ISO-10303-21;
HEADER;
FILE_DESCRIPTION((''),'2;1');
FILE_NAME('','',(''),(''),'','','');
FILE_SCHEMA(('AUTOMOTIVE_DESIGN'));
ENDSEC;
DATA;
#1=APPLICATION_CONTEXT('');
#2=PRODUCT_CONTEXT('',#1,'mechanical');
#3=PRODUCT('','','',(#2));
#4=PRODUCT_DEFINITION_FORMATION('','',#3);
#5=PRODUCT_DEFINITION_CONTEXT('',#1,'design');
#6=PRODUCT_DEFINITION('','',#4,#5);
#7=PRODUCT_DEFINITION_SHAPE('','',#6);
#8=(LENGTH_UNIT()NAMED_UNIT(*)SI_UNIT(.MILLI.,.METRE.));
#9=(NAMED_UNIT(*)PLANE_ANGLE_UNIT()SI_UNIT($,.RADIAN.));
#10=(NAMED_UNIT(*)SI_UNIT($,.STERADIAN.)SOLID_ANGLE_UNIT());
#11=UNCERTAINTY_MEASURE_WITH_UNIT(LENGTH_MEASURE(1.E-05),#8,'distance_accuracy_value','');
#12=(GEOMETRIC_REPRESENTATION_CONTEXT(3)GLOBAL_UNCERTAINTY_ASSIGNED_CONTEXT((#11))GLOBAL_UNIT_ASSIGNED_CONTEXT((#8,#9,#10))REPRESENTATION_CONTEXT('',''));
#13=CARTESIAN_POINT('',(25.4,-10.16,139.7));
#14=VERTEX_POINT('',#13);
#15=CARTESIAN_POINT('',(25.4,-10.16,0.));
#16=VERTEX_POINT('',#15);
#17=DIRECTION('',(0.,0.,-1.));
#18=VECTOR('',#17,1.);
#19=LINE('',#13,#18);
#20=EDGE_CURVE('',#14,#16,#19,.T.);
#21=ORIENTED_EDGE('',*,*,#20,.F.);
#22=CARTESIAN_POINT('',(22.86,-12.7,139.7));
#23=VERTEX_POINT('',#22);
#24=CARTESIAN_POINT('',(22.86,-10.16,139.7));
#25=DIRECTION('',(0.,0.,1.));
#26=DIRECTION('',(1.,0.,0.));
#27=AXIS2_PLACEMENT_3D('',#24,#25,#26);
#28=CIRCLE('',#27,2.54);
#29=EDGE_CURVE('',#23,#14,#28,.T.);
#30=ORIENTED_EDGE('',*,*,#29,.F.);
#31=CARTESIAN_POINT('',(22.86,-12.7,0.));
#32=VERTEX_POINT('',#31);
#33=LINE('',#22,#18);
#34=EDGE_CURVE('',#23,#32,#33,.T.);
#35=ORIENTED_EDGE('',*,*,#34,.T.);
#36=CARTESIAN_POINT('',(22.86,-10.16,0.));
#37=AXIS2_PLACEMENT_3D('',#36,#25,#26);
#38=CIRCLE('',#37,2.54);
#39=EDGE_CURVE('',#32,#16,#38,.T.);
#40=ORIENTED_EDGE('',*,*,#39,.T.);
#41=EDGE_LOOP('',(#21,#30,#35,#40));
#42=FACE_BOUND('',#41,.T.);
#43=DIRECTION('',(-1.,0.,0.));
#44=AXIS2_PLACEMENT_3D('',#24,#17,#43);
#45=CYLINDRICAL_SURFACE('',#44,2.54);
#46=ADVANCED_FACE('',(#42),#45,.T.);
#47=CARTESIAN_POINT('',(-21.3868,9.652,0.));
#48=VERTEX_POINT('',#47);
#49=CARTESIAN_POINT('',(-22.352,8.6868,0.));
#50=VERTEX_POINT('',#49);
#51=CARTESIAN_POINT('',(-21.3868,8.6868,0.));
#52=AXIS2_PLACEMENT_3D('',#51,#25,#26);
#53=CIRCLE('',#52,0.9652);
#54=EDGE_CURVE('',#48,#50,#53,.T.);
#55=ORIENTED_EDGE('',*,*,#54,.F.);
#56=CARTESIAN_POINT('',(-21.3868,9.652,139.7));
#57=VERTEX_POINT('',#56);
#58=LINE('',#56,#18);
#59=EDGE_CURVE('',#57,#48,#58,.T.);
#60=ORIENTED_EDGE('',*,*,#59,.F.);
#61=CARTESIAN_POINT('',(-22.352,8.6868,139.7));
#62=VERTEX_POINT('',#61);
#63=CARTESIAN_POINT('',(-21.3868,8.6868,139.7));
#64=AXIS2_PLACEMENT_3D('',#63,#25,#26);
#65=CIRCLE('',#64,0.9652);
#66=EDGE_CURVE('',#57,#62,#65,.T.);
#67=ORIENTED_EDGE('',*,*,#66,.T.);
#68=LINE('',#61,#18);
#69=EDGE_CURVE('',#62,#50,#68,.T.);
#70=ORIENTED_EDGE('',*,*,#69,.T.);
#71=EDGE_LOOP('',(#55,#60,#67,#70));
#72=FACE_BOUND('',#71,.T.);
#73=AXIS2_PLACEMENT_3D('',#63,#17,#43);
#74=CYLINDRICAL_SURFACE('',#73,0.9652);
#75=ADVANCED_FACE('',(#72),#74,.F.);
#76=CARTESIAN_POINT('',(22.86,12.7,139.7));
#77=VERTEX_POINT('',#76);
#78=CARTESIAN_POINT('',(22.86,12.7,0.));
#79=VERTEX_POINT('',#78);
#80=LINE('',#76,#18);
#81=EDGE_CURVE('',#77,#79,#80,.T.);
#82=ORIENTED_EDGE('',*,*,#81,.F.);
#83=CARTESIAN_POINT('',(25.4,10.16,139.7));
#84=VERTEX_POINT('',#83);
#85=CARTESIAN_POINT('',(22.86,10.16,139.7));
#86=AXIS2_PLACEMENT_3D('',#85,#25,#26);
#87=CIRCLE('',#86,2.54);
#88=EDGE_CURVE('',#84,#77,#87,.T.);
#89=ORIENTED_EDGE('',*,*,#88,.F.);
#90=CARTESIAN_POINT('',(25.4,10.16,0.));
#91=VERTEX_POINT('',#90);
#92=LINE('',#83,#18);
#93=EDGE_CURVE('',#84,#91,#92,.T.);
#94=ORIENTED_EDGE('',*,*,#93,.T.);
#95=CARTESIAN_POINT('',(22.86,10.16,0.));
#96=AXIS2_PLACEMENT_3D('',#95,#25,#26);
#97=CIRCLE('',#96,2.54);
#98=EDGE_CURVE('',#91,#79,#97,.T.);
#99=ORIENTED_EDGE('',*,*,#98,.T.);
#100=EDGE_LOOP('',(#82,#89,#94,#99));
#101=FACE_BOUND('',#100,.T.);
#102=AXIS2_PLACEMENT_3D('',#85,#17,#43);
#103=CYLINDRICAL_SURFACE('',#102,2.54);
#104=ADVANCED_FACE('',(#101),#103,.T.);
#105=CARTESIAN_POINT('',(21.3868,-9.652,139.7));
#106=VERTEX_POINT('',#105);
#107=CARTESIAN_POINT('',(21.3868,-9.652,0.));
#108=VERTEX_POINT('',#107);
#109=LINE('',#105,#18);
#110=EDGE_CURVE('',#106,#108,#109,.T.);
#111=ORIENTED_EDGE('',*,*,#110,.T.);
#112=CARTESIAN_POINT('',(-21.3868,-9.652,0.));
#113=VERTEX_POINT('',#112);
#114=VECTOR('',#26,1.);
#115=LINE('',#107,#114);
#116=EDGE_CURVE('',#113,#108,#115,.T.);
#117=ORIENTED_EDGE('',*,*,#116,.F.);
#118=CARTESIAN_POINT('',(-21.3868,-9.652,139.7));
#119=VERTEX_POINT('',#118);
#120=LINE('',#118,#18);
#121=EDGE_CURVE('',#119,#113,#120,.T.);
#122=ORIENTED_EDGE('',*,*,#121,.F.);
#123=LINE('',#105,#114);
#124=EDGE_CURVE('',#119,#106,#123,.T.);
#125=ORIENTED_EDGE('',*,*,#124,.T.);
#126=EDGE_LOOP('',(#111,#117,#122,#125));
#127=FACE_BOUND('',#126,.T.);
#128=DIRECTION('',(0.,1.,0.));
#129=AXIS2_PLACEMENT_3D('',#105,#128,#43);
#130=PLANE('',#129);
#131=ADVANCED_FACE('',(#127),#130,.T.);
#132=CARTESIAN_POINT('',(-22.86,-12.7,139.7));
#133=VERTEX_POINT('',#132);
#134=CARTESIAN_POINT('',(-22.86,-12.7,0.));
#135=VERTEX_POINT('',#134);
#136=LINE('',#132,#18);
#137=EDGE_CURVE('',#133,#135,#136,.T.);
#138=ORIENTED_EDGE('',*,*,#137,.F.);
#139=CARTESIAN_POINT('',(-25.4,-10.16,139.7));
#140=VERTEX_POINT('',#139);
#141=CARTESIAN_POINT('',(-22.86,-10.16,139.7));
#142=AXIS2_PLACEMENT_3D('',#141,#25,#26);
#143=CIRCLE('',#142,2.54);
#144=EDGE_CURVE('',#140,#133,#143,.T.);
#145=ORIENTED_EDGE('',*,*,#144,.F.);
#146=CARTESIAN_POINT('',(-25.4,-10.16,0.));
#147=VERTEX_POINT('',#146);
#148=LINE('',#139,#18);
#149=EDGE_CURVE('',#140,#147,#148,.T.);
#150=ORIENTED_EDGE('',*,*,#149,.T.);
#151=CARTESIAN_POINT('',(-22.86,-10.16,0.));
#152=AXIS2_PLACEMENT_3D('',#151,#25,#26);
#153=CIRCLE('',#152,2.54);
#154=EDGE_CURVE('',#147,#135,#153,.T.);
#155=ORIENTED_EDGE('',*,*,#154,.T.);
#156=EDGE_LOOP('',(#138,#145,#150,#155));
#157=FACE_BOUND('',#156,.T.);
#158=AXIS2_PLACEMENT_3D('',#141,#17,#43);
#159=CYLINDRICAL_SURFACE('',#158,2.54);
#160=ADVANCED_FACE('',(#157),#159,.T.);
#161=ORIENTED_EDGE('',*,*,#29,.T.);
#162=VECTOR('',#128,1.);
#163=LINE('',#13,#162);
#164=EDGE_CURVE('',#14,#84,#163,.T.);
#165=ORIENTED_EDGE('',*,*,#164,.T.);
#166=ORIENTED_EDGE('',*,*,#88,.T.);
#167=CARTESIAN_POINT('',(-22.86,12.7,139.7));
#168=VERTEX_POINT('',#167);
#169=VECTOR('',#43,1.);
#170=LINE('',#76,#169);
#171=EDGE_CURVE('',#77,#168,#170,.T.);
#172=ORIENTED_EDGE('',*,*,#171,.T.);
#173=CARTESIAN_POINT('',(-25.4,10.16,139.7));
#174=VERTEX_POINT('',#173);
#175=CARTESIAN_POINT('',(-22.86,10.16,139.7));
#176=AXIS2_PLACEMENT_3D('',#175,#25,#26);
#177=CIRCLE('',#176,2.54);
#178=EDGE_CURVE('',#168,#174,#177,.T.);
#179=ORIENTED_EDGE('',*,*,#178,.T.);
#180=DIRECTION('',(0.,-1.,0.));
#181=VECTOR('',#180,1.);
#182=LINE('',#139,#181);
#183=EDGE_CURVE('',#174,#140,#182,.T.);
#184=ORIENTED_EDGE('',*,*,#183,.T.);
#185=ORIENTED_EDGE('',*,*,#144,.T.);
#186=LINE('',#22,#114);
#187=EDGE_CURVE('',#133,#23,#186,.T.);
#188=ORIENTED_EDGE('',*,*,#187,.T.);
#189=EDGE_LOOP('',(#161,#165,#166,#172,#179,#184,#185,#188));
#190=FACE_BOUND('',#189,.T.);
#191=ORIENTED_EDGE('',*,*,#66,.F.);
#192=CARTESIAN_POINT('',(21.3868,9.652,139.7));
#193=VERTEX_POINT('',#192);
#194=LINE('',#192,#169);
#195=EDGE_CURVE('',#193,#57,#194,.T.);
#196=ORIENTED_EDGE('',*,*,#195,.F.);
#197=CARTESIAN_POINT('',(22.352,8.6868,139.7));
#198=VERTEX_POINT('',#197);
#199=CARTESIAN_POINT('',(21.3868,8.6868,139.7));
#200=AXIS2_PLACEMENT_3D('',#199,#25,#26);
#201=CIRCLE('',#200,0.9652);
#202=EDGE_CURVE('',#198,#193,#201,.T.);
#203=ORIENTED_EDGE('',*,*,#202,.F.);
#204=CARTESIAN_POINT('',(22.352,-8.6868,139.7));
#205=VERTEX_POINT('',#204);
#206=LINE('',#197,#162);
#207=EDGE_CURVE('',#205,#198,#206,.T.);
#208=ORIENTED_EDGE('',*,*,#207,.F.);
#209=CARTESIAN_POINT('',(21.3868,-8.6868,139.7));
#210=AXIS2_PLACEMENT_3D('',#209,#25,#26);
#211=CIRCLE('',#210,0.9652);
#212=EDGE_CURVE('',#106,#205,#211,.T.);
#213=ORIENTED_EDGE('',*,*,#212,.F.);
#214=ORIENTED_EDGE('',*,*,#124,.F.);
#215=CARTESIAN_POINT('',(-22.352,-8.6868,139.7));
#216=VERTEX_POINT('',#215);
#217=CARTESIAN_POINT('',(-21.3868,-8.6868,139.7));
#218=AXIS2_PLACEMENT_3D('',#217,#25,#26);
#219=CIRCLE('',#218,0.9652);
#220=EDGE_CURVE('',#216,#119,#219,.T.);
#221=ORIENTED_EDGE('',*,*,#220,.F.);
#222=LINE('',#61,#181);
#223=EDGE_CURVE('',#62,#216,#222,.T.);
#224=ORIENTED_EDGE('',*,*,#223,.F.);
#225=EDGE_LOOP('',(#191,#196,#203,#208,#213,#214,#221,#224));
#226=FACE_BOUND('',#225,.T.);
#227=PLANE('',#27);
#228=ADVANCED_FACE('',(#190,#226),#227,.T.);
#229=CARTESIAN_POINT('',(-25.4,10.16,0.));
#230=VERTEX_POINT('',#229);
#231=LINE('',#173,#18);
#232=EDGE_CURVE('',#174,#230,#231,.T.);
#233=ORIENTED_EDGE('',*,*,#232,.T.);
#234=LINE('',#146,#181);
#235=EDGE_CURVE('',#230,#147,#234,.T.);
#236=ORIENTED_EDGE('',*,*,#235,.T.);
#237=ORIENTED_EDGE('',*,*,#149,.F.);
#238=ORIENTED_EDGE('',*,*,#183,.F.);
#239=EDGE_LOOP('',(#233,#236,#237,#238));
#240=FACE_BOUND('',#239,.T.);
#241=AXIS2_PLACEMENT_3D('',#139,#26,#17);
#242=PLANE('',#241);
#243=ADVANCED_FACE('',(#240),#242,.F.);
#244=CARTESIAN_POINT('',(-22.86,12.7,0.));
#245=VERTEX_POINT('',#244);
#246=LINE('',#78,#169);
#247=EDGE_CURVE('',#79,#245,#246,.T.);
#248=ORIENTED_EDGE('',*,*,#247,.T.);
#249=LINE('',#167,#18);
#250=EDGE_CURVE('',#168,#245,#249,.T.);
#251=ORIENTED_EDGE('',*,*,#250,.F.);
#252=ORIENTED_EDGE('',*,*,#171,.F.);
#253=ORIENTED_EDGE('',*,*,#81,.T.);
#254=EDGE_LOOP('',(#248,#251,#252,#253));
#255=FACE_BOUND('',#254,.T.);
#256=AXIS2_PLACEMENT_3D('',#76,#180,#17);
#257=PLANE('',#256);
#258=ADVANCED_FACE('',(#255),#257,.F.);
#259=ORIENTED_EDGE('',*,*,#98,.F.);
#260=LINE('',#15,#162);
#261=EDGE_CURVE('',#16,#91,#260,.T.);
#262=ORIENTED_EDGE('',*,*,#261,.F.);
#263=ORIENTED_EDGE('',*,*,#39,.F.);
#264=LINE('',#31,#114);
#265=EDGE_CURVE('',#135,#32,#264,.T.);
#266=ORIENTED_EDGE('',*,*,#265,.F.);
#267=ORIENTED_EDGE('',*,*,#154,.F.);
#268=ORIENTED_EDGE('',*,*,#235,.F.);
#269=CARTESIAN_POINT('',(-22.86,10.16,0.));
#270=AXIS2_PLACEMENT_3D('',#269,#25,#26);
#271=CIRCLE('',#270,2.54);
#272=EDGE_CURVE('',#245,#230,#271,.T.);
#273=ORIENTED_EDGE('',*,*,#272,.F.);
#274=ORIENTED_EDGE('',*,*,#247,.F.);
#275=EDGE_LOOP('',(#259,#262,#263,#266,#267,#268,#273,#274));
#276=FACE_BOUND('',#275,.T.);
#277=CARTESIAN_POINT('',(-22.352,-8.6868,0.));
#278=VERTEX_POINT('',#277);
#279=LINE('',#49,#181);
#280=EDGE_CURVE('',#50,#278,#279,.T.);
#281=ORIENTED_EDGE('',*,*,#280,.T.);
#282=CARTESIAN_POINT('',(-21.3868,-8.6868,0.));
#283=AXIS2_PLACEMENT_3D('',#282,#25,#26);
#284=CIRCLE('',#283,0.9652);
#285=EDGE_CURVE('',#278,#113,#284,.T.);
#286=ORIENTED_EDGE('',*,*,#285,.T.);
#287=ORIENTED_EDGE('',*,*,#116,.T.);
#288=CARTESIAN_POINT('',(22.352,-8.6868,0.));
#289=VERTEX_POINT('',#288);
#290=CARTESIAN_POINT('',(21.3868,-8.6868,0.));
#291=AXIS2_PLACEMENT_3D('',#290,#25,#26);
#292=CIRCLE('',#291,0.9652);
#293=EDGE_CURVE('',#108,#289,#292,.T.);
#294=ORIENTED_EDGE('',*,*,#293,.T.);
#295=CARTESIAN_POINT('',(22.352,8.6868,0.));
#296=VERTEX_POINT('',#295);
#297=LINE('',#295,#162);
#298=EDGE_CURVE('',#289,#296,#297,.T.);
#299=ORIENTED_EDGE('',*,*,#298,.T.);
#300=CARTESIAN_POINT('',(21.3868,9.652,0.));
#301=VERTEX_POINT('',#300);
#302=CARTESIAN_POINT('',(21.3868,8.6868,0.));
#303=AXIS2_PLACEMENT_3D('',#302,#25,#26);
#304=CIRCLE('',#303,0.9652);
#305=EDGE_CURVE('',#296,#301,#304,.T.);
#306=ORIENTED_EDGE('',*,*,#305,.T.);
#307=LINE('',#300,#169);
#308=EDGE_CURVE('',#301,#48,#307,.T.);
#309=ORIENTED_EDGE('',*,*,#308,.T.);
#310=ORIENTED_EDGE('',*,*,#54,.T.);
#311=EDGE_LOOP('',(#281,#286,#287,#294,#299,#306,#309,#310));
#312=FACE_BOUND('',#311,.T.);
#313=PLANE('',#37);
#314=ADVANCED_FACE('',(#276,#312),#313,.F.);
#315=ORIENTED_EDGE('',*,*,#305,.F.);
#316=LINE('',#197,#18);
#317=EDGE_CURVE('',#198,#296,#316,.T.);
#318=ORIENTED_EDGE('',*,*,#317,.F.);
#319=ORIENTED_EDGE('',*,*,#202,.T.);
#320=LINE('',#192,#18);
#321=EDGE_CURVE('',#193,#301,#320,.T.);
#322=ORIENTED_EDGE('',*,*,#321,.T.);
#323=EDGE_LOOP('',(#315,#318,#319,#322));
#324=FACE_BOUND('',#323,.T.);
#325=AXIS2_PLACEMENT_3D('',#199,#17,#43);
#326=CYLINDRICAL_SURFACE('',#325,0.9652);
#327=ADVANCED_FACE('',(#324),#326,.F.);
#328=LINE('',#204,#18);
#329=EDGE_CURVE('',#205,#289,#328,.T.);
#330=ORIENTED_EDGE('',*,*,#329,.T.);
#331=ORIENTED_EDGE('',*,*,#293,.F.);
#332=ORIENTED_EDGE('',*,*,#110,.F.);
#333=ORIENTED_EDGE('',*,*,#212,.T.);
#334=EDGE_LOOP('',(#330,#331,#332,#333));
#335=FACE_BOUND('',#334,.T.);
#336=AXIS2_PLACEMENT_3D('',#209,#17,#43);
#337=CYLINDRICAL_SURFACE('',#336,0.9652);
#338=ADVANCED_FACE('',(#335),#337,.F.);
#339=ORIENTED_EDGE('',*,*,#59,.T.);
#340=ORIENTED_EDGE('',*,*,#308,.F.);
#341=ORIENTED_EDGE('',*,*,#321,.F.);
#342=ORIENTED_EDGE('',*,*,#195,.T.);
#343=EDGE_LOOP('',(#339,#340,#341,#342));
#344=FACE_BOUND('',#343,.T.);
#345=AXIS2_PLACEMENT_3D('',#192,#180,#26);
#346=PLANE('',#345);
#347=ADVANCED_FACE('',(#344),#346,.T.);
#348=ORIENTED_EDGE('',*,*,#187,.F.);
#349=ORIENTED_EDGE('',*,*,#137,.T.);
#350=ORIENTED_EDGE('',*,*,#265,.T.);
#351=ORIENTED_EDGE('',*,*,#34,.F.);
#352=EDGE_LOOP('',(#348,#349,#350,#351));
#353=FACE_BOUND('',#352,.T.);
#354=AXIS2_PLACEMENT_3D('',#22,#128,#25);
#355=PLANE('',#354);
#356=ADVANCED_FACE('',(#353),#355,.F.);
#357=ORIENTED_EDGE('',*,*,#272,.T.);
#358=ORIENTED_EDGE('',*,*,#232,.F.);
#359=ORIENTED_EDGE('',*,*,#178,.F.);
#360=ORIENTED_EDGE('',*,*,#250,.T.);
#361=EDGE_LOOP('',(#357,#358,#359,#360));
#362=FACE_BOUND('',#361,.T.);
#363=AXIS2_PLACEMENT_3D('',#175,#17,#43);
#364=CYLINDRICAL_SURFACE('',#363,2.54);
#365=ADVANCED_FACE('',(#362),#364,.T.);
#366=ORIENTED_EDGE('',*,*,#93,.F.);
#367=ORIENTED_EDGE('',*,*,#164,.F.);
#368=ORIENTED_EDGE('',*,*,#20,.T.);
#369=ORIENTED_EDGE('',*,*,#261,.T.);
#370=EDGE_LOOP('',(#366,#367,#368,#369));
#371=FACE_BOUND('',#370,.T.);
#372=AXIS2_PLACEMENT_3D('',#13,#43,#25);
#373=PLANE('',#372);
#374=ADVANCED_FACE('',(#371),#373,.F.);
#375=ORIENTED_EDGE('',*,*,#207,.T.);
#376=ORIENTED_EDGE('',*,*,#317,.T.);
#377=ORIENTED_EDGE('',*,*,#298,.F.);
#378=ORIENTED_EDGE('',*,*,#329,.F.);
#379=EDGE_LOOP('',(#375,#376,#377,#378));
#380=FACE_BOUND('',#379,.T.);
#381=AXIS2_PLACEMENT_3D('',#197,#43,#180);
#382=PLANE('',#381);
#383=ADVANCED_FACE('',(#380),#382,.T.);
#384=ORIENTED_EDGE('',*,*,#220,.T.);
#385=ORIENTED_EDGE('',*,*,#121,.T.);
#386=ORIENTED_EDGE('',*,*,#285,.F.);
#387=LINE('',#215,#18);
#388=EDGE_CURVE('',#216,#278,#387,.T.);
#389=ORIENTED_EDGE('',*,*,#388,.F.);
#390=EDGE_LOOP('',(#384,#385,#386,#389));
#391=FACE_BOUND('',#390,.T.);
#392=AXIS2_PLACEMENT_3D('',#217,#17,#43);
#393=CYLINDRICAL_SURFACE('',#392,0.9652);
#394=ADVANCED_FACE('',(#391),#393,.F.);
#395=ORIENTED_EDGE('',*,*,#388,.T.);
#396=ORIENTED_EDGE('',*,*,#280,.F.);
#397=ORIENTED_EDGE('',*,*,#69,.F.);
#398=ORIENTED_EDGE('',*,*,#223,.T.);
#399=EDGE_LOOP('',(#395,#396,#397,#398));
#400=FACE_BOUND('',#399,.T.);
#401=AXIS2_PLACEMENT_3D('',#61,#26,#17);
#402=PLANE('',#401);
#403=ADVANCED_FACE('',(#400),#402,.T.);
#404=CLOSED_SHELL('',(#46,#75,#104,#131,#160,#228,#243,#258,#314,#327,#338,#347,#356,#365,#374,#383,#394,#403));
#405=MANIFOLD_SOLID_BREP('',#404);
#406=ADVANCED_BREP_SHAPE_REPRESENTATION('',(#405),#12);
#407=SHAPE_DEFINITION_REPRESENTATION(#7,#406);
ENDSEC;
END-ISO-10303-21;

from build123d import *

# Parameters (mm, degrees)
BOSS_EXTRUDE1_DEPTH = 139.7


with BuildPart() as part:
    # Sketch4 → Boss-Extrude1 (new body)
    with BuildSketch(Plane.XY):
        with BuildLine():
            Line((25.4, -10.16), (25.4, 10.16))
            ThreePointArc((25.4, 10.16), (24.656051224, 11.956051224), (22.86, 12.7))
            Line((22.86, 12.7), (-22.86, 12.7))
            ThreePointArc((-22.86, 12.7), (-24.656051224, 11.956051224), (-25.4, 10.16))
            Line((-25.4, 10.16), (-25.4, -10.16))
            ThreePointArc((-25.4, -10.16), (-24.656051224, -11.956051224), (-22.86, -12.7))
            Line((-22.86, -12.7), (22.86, -12.7))
            ThreePointArc((22.86, -12.7), (24.656051224, -11.956051224), (25.4, -10.16))
        make_face()
        with BuildLine():
            Line((22.352, 8.6868), (22.352, -8.6868))
            ThreePointArc((22.352, -8.6868), (22.069299465, -9.369299465), (21.3868, -9.652))
            Line((21.3868, -9.652), (-21.3868, -9.652))
            ThreePointArc((-21.3868, -9.652), (-22.069299465, -9.369299465), (-22.352, -8.6868))
            Line((-22.352, -8.6868), (-22.352, 8.6868))
            ThreePointArc((-22.352, 8.6868), (-22.069299465, 9.369299465), (-21.3868, 9.652))
            Line((-21.3868, 9.652), (21.3868, 9.652))
            ThreePointArc((21.3868, 9.652), (22.069299465, 9.369299465), (22.352, 8.6868))
        make_face(mode=Mode.SUBTRACT)
    extrude(amount=BOSS_EXTRUDE1_DEPTH)


solid = part.part
